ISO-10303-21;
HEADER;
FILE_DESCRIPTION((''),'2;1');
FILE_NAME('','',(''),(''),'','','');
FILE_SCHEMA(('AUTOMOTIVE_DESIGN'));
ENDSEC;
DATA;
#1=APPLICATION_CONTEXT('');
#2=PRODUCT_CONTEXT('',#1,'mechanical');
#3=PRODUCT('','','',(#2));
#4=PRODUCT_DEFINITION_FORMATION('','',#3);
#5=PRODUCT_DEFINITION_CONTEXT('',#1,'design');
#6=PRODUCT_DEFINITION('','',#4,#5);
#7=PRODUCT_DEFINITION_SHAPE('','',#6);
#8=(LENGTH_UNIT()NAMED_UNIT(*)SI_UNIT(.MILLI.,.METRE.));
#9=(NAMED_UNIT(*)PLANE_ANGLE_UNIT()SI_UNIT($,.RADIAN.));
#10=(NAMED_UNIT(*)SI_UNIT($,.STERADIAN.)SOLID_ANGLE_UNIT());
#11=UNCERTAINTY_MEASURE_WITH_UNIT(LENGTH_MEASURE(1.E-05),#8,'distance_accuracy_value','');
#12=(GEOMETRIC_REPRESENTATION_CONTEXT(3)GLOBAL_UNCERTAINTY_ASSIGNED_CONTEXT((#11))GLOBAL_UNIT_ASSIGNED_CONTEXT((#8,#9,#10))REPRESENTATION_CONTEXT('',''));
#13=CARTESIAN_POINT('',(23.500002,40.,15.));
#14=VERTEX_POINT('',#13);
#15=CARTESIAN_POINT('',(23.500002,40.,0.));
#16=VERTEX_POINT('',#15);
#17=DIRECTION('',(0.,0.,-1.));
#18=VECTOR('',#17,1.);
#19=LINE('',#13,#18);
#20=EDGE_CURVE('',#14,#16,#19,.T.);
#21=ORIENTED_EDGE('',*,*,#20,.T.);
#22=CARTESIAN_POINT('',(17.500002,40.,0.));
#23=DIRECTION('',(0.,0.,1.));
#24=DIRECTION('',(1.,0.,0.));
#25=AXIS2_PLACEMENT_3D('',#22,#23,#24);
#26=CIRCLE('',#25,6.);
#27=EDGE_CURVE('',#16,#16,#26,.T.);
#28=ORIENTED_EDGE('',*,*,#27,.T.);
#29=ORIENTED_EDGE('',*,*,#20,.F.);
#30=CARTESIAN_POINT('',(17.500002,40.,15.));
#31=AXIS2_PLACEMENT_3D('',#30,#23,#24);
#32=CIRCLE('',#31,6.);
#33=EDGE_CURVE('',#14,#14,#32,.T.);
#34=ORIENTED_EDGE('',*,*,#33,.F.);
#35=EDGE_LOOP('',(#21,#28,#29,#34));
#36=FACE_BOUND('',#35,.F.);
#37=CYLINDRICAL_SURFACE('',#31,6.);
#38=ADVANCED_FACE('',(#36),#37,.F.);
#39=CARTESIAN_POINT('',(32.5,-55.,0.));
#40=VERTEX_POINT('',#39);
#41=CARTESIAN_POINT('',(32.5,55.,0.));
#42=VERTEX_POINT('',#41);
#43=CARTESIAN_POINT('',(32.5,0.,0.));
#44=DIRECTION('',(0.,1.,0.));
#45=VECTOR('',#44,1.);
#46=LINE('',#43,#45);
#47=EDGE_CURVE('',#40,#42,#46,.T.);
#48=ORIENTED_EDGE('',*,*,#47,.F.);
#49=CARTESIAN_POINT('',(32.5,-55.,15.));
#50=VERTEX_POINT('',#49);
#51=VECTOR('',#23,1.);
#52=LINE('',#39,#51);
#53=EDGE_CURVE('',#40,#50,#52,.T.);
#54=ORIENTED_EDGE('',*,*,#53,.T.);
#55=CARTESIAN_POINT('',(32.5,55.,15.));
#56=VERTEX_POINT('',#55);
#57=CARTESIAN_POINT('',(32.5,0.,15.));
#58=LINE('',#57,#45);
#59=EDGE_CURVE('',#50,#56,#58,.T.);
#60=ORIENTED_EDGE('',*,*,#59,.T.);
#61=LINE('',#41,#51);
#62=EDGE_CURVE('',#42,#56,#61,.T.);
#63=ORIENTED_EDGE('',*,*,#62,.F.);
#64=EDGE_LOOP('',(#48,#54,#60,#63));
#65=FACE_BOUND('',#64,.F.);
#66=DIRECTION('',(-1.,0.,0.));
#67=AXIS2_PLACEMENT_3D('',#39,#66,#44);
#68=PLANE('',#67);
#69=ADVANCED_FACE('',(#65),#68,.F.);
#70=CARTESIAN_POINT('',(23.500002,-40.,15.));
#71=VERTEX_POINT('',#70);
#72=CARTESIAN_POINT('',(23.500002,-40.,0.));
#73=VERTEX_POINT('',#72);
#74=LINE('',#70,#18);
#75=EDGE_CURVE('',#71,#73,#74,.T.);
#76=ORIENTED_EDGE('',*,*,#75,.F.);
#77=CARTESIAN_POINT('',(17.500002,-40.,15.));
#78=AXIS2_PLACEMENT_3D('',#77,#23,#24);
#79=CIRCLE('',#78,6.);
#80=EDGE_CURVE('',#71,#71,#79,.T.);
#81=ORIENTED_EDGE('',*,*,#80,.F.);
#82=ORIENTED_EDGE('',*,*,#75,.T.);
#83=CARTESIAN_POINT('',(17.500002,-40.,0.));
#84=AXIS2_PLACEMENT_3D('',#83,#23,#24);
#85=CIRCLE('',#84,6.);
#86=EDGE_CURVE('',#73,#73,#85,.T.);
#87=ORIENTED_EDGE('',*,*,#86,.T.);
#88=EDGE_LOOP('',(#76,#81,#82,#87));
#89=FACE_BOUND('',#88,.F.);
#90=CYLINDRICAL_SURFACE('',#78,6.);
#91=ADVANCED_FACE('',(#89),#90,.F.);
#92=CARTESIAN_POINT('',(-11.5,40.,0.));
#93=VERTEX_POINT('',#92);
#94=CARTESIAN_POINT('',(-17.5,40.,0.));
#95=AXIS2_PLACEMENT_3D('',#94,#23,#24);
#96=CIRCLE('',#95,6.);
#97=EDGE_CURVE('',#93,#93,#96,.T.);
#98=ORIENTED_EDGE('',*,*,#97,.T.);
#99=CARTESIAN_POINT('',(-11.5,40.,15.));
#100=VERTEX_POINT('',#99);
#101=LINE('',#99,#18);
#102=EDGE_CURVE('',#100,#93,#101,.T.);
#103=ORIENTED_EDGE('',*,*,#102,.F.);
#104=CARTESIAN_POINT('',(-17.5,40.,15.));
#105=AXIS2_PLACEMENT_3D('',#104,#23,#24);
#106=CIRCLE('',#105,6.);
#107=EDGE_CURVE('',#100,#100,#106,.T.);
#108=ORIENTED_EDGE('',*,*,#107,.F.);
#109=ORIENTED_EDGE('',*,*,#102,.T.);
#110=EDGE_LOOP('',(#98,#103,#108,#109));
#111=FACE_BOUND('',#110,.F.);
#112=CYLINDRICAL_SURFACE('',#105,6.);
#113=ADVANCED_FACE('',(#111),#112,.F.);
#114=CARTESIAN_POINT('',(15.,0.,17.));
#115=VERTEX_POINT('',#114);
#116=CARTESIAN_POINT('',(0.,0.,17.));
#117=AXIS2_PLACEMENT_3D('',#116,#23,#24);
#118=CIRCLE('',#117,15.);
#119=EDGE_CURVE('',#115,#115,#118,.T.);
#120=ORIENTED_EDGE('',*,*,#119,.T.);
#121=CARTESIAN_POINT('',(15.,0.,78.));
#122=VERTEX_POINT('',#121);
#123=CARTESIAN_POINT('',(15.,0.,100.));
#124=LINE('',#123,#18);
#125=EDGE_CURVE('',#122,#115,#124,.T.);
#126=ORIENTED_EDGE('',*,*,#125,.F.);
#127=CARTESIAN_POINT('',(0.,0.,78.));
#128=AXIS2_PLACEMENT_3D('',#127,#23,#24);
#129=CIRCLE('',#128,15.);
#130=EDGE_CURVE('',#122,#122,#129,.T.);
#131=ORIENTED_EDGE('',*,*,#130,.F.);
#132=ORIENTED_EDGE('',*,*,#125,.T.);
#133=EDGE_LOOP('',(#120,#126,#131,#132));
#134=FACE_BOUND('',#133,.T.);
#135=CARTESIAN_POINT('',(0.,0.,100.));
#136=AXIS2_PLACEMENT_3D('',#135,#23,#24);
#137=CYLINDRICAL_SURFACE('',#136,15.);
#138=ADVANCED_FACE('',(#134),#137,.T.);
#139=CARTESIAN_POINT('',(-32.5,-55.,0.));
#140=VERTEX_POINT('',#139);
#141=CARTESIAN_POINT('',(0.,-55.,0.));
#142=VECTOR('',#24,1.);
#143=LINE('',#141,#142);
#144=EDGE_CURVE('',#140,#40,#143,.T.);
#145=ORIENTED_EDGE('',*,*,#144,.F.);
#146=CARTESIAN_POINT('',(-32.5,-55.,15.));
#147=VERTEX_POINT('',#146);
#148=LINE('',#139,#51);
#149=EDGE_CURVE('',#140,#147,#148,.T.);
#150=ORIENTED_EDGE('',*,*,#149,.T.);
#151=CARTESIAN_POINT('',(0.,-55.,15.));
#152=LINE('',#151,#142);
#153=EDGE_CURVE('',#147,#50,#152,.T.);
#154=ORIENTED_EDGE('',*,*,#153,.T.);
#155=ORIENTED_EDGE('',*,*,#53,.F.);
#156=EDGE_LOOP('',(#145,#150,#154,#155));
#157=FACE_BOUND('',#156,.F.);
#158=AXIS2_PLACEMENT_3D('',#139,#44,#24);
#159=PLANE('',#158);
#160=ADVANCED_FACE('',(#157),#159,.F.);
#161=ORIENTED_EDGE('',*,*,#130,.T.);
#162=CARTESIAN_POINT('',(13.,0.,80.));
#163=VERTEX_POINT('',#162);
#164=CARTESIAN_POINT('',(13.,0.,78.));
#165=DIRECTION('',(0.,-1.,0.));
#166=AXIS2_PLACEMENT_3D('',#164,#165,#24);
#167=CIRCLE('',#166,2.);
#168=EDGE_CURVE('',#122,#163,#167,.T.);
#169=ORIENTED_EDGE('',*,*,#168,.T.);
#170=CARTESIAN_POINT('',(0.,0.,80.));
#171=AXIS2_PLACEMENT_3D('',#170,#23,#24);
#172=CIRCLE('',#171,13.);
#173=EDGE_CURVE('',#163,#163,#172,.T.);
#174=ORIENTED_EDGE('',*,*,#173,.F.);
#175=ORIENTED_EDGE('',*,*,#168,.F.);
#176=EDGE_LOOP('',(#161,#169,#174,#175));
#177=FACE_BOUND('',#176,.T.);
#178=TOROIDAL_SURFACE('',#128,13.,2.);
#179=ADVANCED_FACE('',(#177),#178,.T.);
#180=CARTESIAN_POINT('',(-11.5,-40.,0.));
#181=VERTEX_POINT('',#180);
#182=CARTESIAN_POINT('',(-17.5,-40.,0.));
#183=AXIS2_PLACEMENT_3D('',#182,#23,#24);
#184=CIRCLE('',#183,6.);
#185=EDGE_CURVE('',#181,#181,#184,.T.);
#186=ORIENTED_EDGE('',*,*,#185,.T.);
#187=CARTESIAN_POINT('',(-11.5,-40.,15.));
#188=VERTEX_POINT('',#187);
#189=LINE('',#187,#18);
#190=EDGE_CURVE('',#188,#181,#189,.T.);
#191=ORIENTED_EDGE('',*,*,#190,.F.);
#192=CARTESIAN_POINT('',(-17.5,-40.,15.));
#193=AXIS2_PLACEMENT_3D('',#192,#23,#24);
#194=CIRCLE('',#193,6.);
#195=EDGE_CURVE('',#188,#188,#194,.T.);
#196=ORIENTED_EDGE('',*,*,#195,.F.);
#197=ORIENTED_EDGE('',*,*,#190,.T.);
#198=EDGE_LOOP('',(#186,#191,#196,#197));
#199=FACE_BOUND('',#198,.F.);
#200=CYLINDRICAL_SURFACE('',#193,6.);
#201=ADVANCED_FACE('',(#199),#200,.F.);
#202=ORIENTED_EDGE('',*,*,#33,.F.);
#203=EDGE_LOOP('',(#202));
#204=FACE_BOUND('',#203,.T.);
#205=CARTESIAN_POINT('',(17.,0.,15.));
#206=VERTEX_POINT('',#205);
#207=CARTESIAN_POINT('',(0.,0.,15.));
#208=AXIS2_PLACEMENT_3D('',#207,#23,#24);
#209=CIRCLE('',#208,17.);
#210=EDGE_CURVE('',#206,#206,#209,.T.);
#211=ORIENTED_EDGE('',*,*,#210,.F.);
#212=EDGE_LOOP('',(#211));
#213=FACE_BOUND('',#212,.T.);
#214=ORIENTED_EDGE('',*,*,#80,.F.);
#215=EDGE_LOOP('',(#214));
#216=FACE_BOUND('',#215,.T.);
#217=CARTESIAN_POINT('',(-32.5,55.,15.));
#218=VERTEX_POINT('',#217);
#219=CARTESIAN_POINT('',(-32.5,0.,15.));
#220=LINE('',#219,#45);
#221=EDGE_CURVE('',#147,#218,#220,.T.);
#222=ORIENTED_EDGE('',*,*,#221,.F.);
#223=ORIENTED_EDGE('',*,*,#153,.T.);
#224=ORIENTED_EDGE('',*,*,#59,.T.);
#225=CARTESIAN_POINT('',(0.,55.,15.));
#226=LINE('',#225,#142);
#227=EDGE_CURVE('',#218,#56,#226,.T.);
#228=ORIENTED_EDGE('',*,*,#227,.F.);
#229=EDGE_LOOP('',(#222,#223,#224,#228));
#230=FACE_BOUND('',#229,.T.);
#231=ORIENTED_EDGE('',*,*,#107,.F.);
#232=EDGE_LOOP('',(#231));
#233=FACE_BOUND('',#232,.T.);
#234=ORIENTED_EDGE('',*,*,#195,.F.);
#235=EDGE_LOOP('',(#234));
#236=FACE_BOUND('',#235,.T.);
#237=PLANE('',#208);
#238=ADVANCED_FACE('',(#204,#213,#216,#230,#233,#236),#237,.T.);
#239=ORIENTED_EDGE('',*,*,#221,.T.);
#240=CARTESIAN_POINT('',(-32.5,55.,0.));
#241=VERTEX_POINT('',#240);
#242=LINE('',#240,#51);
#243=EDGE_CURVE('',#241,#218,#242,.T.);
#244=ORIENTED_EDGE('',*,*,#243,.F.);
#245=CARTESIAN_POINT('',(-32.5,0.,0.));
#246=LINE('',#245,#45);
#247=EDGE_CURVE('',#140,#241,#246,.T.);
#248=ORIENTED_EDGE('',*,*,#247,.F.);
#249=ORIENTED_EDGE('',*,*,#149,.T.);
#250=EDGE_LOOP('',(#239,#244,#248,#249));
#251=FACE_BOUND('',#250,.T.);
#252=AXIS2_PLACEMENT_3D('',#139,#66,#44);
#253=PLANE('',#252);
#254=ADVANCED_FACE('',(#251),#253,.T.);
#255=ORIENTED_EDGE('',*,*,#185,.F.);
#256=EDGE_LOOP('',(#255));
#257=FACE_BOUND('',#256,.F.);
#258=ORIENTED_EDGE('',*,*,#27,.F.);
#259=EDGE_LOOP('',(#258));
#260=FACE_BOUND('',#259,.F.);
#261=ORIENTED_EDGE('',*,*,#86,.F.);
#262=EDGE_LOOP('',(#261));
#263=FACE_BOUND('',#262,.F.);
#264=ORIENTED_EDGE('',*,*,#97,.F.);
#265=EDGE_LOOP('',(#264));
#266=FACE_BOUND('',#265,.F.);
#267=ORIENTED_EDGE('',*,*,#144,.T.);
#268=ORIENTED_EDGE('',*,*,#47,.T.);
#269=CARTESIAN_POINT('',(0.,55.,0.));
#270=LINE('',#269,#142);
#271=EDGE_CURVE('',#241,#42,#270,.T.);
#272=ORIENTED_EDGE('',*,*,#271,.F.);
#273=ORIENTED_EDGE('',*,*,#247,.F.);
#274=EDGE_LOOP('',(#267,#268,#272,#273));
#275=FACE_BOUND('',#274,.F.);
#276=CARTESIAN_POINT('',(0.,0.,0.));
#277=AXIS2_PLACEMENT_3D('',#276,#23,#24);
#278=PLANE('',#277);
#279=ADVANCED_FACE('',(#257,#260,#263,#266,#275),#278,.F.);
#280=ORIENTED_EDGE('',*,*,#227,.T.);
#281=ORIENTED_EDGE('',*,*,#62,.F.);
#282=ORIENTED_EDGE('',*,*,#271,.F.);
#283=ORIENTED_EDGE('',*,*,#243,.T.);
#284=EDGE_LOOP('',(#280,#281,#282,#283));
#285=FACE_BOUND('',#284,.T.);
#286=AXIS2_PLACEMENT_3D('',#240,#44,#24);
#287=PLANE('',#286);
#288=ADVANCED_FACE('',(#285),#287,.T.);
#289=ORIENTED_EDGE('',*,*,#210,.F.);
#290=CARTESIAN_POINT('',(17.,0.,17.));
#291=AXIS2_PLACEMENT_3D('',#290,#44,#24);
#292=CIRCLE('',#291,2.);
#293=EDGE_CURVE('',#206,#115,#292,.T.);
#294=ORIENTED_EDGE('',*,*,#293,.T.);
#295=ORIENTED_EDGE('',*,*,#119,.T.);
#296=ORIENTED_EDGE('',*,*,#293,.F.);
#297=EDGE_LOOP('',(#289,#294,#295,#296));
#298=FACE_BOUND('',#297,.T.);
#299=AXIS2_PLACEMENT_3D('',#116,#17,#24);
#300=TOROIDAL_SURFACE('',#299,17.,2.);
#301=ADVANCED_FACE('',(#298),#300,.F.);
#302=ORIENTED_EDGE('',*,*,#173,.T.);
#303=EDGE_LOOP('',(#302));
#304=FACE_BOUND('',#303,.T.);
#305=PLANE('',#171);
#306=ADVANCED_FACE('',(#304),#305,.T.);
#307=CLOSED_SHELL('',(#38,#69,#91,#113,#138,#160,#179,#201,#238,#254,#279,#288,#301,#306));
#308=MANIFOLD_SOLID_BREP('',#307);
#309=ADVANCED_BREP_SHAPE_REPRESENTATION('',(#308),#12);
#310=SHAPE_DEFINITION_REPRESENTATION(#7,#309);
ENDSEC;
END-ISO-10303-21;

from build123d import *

# Parameters (mm, degrees)
F0_W      = 65
F0_H      = 110
F1_DEPTH  = 100
F2_W      = 65
F2_H      = 110
F2_R      = 15
F3_DEPTH  = 85
F1_FACE_R = 15
F4_DEPTH  = 20
F5_R      = 6
F6_DEPTH  = 30
F7_R      = 2


with BuildPart() as f1:
    # F0 (on Top) → F1 (new body)
    with BuildSketch(Plane.XY):
        Rectangle(F0_W, F0_H)
    extrude(amount=F1_DEPTH)

    # F2 (on face) → F3 (cut)
    with BuildSketch(Plane.XY.offset(100)):
        Rectangle(F2_W, F2_H)
        Circle(F2_R, mode=Mode.SUBTRACT)
    extrude(amount=-F3_DEPTH, mode=Mode.SUBTRACT)

    # F1_face (on face) → F4 (cut)
    with BuildSketch(Plane.XY.offset(100)):
        Circle(F1_FACE_R)
    extrude(amount=-F4_DEPTH, mode=Mode.SUBTRACT)

    # F5 (on face) → F6 (cut)
    with BuildSketch(Plane.XY.offset(15)):
        with Locations((-17.5, 40)):
            Circle(F5_R)
        with Locations((17.500002, 40)):
            Circle(F5_R)
        with Locations((17.500002, -40)):
            Circle(F5_R)
        with Locations((-17.5, -40)):
            Circle(F5_R)
    extrude(amount=-F6_DEPTH, mode=Mode.SUBTRACT)

    # F7
    f7_edges = [f1.edges().sort_by_distance(p)[0] for p in [
        (-15, 0, 80),
        (-15, 0, 15),
    ]]
    fillet(f7_edges, radius=F7_R)


solid = f1.part
